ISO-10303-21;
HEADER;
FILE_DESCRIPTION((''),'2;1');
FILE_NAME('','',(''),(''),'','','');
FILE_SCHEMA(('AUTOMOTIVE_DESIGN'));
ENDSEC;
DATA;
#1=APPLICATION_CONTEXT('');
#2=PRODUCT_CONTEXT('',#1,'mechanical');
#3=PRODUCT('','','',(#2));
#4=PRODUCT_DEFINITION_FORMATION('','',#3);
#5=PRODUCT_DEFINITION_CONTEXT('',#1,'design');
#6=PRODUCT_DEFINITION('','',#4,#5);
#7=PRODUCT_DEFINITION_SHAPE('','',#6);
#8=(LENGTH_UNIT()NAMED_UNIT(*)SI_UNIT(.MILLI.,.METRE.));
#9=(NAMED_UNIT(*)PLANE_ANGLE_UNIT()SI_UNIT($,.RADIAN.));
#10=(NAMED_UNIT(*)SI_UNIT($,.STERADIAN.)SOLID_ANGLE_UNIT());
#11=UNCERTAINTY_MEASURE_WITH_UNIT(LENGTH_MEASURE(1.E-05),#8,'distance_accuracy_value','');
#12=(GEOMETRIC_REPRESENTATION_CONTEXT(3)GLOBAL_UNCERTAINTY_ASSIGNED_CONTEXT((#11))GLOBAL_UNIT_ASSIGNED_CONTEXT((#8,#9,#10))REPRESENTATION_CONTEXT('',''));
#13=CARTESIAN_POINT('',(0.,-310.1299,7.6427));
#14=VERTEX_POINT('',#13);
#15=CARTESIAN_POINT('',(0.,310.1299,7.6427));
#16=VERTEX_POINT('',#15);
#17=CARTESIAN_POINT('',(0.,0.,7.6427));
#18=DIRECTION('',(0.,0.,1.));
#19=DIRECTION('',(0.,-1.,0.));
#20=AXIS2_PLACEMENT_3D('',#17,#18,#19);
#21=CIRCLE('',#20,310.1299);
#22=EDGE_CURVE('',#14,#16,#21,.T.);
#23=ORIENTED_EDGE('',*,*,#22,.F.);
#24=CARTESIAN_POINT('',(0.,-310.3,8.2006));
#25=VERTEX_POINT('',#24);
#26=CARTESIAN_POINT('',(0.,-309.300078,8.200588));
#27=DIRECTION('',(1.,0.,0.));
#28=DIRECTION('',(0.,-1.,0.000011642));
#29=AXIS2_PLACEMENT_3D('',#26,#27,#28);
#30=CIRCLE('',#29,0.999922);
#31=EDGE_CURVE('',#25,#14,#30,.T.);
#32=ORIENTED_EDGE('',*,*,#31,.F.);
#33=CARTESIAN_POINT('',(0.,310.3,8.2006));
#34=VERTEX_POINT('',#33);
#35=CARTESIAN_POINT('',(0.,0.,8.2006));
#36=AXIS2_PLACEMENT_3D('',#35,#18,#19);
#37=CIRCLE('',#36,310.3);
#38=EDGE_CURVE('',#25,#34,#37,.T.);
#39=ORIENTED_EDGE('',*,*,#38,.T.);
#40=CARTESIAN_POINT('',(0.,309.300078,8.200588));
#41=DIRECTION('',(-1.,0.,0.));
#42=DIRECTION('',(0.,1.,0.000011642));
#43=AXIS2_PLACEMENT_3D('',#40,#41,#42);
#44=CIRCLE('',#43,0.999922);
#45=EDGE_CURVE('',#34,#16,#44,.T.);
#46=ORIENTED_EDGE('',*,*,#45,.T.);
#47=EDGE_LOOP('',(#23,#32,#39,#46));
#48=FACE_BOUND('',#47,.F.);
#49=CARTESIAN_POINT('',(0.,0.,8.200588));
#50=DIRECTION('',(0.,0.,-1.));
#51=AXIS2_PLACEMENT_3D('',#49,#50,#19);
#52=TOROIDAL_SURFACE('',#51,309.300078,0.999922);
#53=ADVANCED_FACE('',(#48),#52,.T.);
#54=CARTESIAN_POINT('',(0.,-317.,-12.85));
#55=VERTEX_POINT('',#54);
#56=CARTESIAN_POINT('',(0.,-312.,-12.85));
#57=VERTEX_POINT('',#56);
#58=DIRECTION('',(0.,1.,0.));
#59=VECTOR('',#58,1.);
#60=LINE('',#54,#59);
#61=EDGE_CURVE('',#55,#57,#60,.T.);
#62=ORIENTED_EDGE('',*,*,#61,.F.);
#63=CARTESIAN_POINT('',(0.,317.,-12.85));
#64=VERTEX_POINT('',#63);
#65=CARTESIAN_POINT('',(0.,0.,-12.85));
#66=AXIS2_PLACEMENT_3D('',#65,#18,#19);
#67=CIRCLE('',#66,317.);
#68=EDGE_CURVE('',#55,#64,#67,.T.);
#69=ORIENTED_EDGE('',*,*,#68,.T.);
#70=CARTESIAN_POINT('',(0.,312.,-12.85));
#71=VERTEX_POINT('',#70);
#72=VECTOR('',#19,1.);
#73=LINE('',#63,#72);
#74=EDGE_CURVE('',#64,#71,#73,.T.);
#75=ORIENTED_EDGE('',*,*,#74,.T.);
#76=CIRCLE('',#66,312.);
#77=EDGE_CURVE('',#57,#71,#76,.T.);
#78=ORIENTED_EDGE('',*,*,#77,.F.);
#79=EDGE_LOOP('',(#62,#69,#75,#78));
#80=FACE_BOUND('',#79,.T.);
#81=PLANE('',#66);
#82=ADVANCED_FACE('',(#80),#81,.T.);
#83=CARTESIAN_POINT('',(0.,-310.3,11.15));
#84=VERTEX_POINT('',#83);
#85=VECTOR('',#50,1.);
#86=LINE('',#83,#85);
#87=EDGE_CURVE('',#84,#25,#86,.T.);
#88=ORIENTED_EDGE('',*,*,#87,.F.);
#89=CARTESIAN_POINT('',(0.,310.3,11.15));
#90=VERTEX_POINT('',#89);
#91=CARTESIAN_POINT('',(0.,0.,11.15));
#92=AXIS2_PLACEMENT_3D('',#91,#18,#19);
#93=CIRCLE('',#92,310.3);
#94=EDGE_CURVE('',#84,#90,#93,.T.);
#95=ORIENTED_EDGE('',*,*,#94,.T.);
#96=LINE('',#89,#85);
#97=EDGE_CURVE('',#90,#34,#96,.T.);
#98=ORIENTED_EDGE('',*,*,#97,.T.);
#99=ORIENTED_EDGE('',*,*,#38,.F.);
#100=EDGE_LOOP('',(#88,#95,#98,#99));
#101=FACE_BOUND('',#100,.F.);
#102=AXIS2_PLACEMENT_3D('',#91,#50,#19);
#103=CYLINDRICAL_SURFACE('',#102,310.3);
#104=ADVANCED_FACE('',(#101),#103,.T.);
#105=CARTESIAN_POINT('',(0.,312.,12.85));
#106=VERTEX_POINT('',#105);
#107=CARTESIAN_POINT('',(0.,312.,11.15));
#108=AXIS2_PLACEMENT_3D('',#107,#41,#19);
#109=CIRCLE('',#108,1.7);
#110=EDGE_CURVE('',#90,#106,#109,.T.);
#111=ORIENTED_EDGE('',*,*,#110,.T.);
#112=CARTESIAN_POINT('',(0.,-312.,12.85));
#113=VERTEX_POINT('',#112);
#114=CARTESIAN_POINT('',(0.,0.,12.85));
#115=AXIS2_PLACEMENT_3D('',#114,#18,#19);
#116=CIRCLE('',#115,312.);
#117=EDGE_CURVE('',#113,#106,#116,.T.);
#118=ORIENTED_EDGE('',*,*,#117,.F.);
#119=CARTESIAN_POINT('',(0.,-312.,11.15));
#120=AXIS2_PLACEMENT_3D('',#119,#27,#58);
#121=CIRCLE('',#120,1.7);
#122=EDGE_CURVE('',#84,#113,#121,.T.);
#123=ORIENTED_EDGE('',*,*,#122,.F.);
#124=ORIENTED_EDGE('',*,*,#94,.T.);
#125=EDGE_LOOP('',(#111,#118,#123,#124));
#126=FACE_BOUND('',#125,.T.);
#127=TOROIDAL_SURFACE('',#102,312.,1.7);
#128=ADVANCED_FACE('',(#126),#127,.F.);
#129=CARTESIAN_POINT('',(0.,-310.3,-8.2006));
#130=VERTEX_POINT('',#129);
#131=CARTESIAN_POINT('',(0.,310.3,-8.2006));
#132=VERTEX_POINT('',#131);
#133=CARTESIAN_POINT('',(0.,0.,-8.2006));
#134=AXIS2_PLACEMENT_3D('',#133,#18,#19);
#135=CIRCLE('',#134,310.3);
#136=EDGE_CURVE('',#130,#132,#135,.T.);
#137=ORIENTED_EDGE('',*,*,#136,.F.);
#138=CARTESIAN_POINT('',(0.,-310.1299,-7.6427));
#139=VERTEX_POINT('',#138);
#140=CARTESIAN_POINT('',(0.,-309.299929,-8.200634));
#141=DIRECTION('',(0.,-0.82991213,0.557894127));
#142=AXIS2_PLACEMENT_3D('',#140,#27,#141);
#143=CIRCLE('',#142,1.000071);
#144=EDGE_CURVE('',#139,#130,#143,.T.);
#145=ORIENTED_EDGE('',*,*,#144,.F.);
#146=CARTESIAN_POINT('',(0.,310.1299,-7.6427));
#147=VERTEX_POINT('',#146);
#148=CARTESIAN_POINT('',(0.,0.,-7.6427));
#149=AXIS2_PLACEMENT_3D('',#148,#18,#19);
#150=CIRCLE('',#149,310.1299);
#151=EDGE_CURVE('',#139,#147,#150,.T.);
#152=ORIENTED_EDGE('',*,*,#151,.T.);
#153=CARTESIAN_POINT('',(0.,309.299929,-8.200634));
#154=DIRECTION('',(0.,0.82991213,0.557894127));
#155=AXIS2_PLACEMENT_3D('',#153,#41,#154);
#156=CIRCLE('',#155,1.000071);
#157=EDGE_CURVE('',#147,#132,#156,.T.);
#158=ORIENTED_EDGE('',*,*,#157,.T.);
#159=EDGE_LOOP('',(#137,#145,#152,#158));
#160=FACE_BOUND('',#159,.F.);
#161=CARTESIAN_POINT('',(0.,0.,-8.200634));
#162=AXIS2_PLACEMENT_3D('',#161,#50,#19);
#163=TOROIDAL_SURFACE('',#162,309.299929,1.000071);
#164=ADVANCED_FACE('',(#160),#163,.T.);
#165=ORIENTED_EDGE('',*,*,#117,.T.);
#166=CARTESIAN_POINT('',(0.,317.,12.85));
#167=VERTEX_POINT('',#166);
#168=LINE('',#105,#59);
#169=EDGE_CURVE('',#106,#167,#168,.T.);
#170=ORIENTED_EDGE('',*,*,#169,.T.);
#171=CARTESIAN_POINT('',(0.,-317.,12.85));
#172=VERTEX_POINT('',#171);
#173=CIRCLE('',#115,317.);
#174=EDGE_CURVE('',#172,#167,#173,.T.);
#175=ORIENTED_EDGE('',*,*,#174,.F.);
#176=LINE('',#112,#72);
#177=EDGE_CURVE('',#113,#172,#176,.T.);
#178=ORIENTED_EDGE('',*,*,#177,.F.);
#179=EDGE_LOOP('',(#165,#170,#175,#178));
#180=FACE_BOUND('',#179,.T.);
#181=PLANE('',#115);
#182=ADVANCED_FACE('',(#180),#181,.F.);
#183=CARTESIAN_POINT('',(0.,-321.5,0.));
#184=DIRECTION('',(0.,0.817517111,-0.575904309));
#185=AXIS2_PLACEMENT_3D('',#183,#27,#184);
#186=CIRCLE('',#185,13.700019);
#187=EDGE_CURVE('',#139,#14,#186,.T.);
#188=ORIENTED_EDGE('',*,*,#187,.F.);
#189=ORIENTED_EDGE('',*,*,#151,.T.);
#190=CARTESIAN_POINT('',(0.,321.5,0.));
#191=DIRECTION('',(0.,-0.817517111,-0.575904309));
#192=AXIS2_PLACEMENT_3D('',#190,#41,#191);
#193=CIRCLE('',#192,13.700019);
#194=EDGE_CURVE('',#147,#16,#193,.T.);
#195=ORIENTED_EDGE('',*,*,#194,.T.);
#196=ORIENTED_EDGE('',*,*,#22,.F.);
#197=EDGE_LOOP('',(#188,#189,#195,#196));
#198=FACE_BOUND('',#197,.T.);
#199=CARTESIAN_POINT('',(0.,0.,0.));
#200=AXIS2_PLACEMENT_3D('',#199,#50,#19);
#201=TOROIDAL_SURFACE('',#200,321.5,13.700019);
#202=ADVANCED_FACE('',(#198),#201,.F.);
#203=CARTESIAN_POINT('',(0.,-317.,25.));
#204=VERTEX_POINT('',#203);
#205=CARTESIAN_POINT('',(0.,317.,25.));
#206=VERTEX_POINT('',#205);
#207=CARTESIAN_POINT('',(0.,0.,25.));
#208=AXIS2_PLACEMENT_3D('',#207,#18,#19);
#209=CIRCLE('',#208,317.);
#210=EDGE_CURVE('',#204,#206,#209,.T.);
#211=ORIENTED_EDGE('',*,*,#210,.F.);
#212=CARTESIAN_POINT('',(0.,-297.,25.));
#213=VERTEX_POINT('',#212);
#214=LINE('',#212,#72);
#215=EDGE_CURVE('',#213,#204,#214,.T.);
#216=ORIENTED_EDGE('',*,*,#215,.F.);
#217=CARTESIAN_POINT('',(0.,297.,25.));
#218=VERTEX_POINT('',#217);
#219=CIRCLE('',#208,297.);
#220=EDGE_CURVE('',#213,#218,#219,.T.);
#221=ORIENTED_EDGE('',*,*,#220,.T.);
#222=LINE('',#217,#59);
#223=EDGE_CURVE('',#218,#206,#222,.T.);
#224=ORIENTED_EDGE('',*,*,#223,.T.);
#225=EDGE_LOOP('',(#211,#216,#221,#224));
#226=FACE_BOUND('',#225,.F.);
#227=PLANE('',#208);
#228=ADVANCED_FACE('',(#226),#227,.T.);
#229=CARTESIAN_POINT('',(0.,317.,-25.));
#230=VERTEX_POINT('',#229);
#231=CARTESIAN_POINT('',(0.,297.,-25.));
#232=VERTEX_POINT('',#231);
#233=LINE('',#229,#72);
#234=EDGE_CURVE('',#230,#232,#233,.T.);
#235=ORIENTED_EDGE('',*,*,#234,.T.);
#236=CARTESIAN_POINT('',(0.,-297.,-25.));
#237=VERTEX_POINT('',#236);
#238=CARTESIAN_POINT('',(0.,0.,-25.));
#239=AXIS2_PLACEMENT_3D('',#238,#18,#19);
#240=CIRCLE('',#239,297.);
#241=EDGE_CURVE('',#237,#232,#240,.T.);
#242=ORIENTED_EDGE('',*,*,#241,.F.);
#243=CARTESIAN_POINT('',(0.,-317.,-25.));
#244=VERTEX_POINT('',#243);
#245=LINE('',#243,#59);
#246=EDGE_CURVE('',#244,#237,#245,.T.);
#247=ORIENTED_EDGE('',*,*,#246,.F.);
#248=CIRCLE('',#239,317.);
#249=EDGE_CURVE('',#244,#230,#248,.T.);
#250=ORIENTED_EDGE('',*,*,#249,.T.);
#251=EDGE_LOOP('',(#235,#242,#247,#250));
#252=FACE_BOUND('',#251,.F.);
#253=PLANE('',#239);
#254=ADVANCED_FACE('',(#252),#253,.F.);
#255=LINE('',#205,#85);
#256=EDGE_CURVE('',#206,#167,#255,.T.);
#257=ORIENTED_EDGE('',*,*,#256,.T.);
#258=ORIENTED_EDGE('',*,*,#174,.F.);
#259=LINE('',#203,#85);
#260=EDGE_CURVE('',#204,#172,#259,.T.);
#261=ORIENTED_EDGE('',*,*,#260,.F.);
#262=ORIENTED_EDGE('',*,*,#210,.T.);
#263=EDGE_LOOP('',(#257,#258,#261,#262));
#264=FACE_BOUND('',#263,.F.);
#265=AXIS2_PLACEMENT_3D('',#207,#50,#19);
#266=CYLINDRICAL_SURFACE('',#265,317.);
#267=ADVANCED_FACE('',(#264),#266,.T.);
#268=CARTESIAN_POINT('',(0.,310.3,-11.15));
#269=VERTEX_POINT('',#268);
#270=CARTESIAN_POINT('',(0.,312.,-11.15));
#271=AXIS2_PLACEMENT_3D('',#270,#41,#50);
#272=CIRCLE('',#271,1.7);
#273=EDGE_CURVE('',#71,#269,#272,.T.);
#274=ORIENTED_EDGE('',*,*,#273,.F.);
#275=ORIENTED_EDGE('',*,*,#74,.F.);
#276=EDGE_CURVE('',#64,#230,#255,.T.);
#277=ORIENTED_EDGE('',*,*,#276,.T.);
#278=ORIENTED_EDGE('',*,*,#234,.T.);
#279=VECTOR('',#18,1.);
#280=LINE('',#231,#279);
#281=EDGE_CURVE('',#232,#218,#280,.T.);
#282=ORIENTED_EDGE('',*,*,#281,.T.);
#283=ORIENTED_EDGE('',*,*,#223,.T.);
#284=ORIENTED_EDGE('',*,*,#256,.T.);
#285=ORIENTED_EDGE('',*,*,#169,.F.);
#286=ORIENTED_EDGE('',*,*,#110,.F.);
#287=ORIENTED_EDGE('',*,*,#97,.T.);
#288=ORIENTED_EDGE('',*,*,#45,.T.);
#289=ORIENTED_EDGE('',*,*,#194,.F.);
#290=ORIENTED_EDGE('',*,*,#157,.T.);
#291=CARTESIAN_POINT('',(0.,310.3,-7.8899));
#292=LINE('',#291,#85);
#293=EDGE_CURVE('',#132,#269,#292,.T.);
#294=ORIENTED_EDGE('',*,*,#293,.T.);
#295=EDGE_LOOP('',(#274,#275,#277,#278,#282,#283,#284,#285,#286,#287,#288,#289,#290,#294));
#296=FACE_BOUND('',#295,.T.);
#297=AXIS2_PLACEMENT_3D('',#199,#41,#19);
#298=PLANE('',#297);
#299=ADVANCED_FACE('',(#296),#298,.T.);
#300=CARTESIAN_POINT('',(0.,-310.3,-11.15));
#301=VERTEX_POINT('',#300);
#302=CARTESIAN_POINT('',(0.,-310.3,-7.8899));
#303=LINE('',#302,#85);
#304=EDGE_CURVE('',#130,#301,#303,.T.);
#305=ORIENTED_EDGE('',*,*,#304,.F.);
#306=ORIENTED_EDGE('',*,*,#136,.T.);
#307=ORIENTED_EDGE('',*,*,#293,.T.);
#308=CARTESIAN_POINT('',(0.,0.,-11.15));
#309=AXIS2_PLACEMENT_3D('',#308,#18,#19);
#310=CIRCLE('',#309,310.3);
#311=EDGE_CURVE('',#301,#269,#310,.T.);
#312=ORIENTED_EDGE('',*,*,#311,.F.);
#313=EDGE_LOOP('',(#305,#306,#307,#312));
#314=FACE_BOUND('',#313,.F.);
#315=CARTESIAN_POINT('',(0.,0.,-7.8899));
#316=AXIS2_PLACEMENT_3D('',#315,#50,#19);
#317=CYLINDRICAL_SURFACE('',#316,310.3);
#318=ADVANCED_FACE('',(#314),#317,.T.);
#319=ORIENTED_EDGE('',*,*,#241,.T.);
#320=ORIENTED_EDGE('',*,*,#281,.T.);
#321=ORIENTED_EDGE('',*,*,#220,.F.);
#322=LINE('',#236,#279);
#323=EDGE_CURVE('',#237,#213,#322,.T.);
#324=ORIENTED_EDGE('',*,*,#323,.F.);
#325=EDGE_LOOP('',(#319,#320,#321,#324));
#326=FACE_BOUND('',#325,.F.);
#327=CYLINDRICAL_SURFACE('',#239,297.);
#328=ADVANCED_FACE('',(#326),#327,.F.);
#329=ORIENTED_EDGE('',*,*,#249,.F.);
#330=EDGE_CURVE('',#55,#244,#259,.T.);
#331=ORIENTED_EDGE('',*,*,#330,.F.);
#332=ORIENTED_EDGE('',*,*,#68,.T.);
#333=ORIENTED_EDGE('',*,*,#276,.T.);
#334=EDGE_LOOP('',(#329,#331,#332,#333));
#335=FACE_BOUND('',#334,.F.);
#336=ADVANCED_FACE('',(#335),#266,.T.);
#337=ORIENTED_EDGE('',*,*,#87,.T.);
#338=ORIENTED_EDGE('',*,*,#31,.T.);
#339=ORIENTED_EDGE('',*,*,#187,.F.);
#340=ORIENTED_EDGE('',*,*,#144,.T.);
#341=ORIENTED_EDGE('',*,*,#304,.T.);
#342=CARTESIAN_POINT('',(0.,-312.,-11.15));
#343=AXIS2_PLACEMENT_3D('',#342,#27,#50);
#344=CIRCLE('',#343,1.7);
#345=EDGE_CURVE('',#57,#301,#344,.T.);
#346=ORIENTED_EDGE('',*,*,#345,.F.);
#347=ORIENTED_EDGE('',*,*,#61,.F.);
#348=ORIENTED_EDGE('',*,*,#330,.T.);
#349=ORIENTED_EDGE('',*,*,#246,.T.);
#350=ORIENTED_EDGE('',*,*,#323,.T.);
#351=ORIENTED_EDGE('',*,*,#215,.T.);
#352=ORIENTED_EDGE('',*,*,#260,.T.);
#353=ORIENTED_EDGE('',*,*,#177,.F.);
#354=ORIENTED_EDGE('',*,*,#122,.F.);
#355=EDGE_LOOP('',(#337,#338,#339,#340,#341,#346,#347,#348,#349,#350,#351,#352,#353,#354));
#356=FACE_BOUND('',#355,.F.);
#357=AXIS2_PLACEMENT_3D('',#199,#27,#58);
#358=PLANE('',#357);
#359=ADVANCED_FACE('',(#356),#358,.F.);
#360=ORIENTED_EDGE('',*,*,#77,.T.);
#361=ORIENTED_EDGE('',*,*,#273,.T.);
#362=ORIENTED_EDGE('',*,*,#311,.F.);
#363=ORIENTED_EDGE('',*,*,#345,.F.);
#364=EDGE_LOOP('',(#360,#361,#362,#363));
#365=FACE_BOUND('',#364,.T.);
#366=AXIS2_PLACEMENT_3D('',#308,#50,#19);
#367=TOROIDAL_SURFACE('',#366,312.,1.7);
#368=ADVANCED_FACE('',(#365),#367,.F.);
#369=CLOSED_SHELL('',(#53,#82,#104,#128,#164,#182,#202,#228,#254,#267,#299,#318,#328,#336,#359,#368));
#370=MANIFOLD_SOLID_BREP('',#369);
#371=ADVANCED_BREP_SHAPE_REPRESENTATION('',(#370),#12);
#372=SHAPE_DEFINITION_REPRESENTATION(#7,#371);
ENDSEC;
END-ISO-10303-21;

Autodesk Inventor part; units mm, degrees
ref_plane "YZ Plane" through (0, 0, 0) normal (1, 0, 0) x (0, 1, 0)
ref_plane "XZ Plane" through (0, 0, 0) normal (0, 1, 0) x (-1, 0, 0)
ref_plane "XY Plane" through (0, 0, 0) normal (0, 0, 1) x (1, 0, 0)
sketch "草圖1" plane through (0, 0, 0) normal (1, 0, 0) x (0, 1, 0)
  line L0 (-297, 25) -> (-317, 25)
  line L1 (-317, 25) -> (-317, -25)
  line L2 (-317, -25) -> (-297, -25)
  line L3 (-297, -25) -> (-297, 25)
  line L4 (-312, 12.85) -> (-317, 12.85)
  line L5 (-317, -12.85) -> (-312, -12.85)
  line L6 (-307.8, -12.85) -> (-307.8, 12.85) construction
  arc A0 (-310.3, -7.8899) -> (-310.3, 7.8899) centre (-321.5, 0) ccw
  line L7 (-310.3, 11.15) -> (-310.3, 7.8899)
  line L8 (-310.3, -7.8899) -> (-310.3, -11.15)
  arc A1 (-310.1299, -7.6427) -> (-310.3, -8.2006) centre (-309.3, -8.2006) ccw
  arc A2 (-310.3, 8.2006) -> (-310.1299, 7.6427) centre (-309.3, 8.2006) ccw
  arc A3 (-310.3, 11.15) -> (-312, 12.85) centre (-312, 11.15) ccw
  arc A4 (-312, -12.85) -> (-310.3, -11.15) centre (-312, -11.15) ccw
  line L9 (0, 0) -> (0, 24.4036)
  dimension "d0" = 317
  dimension "d1" = 25
  dimension "d3" = 50
  dimension "d4" = 20
  dimension "d5" = 9.2
  dimension "d6" = 12.85
  dimension "d7" = 25.7
  dimension "d8" = 27.4
  dimension "d9" = 0
  dimension "d10" = 2.5
  dimension "d11" = 2.5
  dimension "d12" = 2
  dimension "d13" = 2
  dimension "d14" = 3.4
  dimension "d15" = 3.4
revolve "迴轉1" add sketch "草圖1" angle 180 about axis through (0, 0, 0) along (0, 0, 1) contours L3 L2 L1 L5 A4 L8 A1 A0 A2 L7 A3 L4 L0
properties part number "母摩-半圓"
